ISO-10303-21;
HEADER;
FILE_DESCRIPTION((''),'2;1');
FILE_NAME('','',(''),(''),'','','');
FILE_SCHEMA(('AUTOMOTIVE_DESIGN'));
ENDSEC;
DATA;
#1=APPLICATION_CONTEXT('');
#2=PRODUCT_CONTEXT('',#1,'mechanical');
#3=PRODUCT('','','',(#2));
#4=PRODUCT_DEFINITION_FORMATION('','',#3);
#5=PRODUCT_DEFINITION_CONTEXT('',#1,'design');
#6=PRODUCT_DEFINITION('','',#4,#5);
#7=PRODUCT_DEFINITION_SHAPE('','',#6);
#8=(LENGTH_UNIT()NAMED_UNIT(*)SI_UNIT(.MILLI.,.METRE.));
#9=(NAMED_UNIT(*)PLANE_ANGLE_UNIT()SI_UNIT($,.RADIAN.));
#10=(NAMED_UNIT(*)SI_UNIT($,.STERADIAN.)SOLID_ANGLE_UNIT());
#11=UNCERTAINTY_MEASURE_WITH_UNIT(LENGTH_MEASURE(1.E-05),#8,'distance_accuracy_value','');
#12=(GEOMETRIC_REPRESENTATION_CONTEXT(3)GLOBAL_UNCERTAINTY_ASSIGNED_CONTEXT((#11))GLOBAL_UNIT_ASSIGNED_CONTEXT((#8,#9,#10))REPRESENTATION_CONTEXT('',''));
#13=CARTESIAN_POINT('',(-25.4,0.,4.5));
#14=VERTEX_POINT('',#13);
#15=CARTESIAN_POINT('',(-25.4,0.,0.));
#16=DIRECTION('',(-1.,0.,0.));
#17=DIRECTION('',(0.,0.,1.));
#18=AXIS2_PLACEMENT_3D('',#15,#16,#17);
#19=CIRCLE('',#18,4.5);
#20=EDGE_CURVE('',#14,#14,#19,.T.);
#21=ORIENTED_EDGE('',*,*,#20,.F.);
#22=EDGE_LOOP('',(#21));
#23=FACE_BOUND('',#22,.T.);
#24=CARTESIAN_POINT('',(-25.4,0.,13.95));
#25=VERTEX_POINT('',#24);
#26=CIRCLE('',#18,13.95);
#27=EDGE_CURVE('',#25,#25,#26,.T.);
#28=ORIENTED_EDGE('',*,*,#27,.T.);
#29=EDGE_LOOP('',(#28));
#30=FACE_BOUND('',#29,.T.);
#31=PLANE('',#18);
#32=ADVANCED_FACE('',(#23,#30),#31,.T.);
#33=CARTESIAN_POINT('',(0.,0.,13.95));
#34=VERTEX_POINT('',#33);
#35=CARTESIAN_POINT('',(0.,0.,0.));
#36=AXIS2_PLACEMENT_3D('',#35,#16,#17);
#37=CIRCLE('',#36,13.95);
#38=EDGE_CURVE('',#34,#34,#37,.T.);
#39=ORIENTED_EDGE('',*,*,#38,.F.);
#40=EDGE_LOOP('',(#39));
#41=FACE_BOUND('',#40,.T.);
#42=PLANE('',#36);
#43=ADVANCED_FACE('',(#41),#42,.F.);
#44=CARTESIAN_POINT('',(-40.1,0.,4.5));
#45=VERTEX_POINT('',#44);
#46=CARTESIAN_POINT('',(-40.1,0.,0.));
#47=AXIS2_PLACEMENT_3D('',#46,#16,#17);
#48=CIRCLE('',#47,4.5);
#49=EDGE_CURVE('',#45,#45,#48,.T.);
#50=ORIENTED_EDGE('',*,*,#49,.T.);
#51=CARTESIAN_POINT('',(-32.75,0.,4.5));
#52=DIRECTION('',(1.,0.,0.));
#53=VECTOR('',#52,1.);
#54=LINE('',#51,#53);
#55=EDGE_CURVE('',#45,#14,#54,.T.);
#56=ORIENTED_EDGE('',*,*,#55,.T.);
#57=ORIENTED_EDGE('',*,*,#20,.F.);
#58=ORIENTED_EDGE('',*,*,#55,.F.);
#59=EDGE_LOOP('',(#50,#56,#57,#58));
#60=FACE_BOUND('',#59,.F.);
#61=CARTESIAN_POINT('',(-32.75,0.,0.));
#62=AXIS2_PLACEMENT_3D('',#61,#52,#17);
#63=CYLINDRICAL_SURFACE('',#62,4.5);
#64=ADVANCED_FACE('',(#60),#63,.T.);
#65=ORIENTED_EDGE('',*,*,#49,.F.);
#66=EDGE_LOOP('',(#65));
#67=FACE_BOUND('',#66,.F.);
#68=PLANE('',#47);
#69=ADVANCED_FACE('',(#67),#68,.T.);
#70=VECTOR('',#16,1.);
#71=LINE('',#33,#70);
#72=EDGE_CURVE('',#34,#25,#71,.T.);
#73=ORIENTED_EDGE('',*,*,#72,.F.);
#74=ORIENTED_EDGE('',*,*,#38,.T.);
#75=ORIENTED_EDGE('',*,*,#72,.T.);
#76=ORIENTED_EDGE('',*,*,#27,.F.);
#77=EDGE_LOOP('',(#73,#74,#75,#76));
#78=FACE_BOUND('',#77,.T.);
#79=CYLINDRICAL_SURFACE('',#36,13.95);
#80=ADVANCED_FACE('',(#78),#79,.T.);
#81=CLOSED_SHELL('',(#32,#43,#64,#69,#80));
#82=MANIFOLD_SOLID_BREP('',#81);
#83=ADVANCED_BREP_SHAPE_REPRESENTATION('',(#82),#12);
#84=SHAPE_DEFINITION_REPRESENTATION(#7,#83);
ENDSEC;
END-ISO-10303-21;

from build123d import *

# Parameters (mm, degrees)
F0_W = 14.7
F0_H = 4.5


with BuildPart() as f1:
    # F0 (on Front) → F1 (revolve)
    with BuildSketch(Plane.XZ):
        Polygon((0, 13.95), (-25.4, 13.95), (-25.4, 4.5), (-25.4, 0), (0, 0), align=None)
        with Locations((-32.75, 2.25)):
            Rectangle(F0_W, F0_H)
    revolve(axis=Axis((-20.05, 0, 0), (-1, 0, 0)))


solid = f1.part
